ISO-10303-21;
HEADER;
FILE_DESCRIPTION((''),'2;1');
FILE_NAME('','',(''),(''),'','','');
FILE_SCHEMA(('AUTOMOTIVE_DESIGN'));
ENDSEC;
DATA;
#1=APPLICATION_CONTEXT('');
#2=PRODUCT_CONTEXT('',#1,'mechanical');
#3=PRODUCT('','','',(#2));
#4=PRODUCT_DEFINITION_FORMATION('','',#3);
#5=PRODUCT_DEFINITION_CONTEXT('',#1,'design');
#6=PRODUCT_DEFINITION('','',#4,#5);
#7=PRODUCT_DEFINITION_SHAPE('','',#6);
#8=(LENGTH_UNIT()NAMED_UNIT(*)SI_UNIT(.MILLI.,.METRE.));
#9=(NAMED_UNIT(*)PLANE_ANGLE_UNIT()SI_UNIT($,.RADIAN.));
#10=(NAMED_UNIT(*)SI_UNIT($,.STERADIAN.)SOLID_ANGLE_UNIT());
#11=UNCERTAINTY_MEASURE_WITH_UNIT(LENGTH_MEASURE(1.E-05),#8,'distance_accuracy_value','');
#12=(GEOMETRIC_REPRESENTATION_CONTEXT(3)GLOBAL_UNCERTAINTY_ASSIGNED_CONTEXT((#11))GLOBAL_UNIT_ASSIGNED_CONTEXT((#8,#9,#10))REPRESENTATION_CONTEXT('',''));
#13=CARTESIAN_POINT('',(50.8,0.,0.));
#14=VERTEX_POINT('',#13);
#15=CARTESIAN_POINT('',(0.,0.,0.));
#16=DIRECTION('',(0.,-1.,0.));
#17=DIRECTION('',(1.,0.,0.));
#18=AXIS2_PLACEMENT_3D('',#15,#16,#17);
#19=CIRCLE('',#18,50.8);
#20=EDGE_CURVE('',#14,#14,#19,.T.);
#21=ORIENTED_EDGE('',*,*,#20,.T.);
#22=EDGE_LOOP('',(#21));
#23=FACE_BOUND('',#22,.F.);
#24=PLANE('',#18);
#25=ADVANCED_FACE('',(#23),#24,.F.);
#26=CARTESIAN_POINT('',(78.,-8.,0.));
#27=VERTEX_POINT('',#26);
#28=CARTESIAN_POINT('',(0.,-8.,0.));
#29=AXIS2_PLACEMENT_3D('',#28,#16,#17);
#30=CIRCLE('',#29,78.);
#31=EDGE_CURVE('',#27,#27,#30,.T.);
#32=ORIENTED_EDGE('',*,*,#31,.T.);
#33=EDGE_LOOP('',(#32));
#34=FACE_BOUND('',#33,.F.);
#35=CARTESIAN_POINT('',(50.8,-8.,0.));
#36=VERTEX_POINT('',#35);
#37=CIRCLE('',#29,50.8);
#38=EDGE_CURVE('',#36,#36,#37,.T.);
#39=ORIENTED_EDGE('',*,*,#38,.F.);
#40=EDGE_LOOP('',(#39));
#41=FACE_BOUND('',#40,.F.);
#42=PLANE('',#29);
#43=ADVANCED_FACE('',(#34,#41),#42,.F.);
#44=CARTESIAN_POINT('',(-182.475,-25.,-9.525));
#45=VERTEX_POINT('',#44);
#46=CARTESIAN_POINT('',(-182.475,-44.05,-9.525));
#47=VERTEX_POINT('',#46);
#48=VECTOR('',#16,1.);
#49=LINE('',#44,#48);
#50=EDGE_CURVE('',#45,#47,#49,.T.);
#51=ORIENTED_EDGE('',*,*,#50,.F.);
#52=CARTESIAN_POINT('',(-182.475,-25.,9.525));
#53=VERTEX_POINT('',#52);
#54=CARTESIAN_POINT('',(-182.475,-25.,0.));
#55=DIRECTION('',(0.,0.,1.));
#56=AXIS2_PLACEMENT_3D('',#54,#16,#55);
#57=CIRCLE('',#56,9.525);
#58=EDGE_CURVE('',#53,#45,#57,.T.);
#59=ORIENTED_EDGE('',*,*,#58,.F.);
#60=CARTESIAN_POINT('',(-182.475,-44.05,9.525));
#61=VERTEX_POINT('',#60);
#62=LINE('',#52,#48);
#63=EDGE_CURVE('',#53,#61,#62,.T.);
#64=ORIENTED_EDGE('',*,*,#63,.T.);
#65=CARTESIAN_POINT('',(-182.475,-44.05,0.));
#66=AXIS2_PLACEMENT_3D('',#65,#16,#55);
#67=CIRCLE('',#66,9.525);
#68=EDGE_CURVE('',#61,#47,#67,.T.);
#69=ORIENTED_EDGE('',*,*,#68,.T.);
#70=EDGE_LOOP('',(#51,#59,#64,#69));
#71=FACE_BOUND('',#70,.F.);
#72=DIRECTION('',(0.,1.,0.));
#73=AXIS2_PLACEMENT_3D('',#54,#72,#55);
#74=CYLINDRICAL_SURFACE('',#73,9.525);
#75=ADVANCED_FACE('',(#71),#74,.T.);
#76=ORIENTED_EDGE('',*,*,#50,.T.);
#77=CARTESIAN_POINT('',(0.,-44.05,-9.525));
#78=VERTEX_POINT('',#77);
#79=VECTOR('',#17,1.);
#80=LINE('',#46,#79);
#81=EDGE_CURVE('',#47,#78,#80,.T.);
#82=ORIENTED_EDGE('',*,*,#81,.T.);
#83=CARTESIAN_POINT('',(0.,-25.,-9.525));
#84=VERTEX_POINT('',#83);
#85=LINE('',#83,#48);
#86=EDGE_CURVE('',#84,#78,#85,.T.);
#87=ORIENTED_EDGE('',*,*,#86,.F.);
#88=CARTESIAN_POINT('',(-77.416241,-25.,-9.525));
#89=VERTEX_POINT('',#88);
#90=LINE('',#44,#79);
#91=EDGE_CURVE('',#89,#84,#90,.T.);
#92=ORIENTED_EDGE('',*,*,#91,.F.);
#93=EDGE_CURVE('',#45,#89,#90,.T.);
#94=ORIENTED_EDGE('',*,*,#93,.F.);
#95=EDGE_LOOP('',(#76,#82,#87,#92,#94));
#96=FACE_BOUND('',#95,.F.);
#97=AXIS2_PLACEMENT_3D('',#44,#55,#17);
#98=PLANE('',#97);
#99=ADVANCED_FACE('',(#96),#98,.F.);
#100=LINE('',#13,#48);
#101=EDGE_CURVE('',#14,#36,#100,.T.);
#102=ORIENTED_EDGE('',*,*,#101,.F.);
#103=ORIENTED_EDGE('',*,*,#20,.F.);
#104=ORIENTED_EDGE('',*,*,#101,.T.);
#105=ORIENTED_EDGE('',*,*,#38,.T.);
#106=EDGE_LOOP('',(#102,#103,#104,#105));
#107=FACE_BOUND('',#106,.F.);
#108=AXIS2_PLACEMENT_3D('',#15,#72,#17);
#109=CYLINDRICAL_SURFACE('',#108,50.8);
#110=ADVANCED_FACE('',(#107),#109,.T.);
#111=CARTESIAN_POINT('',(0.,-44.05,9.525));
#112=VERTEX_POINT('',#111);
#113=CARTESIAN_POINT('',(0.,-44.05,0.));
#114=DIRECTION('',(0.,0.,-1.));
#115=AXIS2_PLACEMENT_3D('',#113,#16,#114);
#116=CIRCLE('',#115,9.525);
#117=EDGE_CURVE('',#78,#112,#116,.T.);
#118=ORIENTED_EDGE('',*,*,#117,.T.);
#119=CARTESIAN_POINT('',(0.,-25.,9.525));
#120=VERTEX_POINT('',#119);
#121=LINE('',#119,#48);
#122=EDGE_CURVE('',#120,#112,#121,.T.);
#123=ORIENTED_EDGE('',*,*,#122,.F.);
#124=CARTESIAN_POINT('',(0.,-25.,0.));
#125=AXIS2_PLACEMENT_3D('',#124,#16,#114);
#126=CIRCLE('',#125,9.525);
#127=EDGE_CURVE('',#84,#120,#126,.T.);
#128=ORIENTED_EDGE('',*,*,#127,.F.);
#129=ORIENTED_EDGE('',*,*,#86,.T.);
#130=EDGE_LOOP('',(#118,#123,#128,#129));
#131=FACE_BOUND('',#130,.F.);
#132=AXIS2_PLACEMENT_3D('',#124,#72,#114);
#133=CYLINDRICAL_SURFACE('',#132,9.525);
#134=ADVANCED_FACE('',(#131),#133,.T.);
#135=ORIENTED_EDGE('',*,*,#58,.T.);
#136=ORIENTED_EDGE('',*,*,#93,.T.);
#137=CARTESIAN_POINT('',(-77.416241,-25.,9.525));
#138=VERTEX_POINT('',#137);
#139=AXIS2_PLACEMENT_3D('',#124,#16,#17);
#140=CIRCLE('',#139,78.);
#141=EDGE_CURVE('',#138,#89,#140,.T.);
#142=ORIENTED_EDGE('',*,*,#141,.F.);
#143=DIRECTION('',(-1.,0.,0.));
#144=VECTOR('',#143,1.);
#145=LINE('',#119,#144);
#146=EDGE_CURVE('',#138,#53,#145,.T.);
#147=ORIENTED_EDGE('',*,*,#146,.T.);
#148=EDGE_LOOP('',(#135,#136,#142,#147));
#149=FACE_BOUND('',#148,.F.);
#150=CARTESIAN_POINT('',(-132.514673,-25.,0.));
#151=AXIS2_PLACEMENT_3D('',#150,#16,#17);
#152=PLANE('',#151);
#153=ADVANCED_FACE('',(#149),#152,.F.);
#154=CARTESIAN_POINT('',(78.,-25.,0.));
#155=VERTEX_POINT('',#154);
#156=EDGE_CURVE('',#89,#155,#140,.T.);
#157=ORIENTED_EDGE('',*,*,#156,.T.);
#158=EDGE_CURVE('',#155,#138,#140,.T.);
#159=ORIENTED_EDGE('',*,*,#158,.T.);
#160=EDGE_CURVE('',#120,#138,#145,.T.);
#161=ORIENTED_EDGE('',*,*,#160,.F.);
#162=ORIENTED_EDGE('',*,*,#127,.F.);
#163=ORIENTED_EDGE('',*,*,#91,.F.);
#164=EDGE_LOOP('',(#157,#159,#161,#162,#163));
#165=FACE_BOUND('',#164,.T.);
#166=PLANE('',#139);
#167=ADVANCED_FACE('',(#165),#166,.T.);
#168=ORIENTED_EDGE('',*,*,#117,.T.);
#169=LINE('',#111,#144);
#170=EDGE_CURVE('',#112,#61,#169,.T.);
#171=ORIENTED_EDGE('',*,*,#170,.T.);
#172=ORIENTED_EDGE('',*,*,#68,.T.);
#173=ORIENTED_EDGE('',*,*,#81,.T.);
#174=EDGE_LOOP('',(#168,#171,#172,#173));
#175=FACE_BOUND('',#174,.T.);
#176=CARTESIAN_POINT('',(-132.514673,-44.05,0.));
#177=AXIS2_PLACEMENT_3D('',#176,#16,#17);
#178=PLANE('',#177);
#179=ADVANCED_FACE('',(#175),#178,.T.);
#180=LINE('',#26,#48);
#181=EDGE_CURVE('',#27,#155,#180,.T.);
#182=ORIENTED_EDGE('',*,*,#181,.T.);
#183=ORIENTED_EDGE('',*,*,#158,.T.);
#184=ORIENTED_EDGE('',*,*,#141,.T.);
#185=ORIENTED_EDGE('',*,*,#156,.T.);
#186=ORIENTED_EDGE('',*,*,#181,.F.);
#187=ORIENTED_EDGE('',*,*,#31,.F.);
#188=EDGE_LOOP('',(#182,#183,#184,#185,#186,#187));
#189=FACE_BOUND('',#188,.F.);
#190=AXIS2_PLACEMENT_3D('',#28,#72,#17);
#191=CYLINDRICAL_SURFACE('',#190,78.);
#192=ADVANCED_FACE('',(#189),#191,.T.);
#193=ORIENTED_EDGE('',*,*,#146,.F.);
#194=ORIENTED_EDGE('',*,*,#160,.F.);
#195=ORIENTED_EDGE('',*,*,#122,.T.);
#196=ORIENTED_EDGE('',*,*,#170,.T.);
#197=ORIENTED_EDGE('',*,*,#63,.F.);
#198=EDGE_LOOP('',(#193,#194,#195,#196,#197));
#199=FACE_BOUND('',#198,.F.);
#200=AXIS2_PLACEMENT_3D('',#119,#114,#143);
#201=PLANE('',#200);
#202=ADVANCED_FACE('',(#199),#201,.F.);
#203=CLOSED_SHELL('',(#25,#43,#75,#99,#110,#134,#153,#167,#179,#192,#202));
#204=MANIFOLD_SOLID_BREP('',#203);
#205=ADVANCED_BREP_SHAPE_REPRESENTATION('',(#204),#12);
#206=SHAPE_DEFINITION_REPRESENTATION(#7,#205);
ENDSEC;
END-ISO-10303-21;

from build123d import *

# Parameters (mm, degrees)
F0_R     = 50.8
F1_DEPTH = 8
F2_R     = 78
F2_R_2   = 50.8
F3_DEPTH = 17
F5_DEPTH = 19.05


with BuildPart() as f1:
    # F0 (on Front) → F1 (new body)
    with BuildSketch(Plane.XZ):
        Circle(F0_R)
    extrude(amount=F1_DEPTH)

    # F2 (on face) → F3 (join)
    with BuildSketch(Plane.XZ.offset(8)):
        Circle(F2_R)
        Circle(F2_R_2, mode=Mode.SUBTRACT)
        Circle(F2_R_2)
    extrude(amount=F3_DEPTH)

    # F4 (on face) → F5 (join)
    with BuildSketch(Plane.XZ.offset(25)):
        with BuildLine():
            ThreePointArc((-78, 0), (-77.853923, 4.771436), (-77.416241, 9.525))
            Line((-77.416241, 9.525), (-182.475, 9.525))
            ThreePointArc((-182.475, 9.525), (-192, 0), (-182.475, -9.525))
            Line((-182.475, -9.525), (-77.416241, -9.525))
            ThreePointArc((-77.416241, -9.525), (-77.853923, -4.771436), (-78, 0))
        make_face()
        with BuildLine():
            ThreePointArc((0, -9.525), (9.525, 0), (0, 9.525))
            Line((0, 9.525), (-77.416241, 9.525))
            ThreePointArc((-77.416241, 9.525), (-77.853923, 4.771436), (-78, 0))
            ThreePointArc((-78, 0), (-77.853923, -4.771436), (-77.416241, -9.525))
            Line((-77.416241, -9.525), (0, -9.525))
        make_face()
    extrude(amount=F5_DEPTH)


solid = f1.part
